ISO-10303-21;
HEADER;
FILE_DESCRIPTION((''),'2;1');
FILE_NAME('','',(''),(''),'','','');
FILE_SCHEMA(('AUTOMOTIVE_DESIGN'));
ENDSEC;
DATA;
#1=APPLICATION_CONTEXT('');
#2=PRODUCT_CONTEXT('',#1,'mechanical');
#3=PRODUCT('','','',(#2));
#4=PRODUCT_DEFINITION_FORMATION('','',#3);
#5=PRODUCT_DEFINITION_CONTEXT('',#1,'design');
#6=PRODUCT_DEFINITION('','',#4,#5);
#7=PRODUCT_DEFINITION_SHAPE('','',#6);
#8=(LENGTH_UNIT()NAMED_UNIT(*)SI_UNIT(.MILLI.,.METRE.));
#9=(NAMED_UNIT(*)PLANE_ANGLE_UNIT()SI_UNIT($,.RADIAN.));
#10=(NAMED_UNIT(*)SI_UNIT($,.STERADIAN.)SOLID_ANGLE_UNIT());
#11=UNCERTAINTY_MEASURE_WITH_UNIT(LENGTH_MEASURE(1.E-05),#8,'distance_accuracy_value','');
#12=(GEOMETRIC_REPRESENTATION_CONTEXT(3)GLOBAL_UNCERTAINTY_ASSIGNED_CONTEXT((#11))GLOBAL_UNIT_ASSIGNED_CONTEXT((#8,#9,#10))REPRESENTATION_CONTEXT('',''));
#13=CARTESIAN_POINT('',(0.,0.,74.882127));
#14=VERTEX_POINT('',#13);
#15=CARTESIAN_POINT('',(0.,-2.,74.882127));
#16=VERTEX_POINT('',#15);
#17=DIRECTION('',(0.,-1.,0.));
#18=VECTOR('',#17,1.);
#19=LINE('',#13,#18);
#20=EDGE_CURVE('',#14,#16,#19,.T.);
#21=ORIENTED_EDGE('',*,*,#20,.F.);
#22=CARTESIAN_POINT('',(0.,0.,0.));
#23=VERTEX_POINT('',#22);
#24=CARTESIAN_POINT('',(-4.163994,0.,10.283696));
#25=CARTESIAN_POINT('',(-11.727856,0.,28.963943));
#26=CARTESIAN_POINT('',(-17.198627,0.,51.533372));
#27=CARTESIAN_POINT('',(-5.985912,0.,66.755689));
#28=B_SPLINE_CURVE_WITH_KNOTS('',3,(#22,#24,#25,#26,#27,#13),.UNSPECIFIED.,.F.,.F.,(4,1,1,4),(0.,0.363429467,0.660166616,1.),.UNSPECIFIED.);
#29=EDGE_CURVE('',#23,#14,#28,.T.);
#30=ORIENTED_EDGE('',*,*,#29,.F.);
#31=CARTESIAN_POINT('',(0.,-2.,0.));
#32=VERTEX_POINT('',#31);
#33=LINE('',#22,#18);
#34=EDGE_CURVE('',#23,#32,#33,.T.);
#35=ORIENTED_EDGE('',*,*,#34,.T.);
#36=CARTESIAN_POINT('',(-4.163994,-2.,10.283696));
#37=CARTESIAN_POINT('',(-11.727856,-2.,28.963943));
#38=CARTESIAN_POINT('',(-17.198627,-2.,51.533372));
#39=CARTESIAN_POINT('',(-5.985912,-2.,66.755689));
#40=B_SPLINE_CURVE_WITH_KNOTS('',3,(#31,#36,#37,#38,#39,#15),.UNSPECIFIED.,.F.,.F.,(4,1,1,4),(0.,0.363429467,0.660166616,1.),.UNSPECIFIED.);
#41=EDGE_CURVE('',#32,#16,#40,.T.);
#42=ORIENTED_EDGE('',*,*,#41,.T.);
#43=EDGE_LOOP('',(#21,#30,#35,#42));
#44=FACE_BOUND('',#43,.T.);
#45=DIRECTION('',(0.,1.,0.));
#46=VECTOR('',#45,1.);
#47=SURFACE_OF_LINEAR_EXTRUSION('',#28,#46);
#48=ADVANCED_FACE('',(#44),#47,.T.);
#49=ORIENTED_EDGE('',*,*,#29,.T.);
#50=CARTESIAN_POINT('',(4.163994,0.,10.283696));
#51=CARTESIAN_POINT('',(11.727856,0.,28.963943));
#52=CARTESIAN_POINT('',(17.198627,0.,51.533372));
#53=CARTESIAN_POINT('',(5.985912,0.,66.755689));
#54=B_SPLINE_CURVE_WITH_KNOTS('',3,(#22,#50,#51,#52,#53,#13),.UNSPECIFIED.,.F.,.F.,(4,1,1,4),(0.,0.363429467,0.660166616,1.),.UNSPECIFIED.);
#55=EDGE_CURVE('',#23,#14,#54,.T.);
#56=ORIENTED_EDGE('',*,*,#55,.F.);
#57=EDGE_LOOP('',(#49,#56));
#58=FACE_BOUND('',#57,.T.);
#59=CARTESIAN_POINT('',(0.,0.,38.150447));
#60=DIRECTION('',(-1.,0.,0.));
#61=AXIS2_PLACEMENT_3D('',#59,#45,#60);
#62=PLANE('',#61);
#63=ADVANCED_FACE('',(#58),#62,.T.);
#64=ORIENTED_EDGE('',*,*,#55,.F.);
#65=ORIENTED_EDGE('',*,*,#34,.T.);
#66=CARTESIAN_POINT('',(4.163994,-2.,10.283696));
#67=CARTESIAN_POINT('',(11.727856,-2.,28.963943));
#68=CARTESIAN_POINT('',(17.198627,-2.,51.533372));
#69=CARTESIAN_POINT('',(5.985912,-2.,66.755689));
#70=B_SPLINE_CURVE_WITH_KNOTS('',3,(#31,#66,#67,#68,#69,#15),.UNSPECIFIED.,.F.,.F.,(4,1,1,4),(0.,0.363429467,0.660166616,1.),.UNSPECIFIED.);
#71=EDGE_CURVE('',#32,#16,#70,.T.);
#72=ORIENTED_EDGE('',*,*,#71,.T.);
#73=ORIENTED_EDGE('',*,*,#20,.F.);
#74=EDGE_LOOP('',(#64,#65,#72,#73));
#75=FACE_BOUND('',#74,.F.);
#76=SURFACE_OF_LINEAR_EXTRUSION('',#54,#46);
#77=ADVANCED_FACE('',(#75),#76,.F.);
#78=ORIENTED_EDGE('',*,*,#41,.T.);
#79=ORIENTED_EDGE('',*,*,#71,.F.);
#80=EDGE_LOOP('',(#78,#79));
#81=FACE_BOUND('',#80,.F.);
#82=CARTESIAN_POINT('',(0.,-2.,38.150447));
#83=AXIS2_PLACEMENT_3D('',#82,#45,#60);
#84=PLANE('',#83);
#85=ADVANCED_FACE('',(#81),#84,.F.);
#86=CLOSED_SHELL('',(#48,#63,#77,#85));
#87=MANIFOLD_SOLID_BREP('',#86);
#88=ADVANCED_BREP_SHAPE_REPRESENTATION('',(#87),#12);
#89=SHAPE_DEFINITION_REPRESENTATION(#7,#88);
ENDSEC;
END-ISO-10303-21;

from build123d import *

# Parameters (mm, degrees)
F1_DEPTH = 2


with BuildPart() as f1:
    # F0 (on Front) → F1 (new body)
    with BuildSketch(Plane.XZ):
        with BuildLine():
            add(Edge.make_bspline(
                [(0, 0), (-4.1639944473, 10.2836955517), (-11.7278558604, 28.9639433167), (-17.1986272829, 51.5333719321), (-5.9859117793, 66.755688661), (0, 74.8821273446)],
                knots=[0, 0, 0, 0, 0.3634294674, 0.6601666163, 1, 1, 1, 1], degree=3))
            add(Edge.make_bspline(
                [(0, 0), (4.1639944473, 10.2836955517), (11.7278558604, 28.9639433167), (17.1986272829, 51.5333719321), (5.9859117793, 66.755688661), (0, 74.8821273446)],
                knots=[0, 0, 0, 0, 0.3634294674, 0.6601666163, 1, 1, 1, 1], degree=3))
        make_face()
    extrude(amount=F1_DEPTH)


solid = f1.part
